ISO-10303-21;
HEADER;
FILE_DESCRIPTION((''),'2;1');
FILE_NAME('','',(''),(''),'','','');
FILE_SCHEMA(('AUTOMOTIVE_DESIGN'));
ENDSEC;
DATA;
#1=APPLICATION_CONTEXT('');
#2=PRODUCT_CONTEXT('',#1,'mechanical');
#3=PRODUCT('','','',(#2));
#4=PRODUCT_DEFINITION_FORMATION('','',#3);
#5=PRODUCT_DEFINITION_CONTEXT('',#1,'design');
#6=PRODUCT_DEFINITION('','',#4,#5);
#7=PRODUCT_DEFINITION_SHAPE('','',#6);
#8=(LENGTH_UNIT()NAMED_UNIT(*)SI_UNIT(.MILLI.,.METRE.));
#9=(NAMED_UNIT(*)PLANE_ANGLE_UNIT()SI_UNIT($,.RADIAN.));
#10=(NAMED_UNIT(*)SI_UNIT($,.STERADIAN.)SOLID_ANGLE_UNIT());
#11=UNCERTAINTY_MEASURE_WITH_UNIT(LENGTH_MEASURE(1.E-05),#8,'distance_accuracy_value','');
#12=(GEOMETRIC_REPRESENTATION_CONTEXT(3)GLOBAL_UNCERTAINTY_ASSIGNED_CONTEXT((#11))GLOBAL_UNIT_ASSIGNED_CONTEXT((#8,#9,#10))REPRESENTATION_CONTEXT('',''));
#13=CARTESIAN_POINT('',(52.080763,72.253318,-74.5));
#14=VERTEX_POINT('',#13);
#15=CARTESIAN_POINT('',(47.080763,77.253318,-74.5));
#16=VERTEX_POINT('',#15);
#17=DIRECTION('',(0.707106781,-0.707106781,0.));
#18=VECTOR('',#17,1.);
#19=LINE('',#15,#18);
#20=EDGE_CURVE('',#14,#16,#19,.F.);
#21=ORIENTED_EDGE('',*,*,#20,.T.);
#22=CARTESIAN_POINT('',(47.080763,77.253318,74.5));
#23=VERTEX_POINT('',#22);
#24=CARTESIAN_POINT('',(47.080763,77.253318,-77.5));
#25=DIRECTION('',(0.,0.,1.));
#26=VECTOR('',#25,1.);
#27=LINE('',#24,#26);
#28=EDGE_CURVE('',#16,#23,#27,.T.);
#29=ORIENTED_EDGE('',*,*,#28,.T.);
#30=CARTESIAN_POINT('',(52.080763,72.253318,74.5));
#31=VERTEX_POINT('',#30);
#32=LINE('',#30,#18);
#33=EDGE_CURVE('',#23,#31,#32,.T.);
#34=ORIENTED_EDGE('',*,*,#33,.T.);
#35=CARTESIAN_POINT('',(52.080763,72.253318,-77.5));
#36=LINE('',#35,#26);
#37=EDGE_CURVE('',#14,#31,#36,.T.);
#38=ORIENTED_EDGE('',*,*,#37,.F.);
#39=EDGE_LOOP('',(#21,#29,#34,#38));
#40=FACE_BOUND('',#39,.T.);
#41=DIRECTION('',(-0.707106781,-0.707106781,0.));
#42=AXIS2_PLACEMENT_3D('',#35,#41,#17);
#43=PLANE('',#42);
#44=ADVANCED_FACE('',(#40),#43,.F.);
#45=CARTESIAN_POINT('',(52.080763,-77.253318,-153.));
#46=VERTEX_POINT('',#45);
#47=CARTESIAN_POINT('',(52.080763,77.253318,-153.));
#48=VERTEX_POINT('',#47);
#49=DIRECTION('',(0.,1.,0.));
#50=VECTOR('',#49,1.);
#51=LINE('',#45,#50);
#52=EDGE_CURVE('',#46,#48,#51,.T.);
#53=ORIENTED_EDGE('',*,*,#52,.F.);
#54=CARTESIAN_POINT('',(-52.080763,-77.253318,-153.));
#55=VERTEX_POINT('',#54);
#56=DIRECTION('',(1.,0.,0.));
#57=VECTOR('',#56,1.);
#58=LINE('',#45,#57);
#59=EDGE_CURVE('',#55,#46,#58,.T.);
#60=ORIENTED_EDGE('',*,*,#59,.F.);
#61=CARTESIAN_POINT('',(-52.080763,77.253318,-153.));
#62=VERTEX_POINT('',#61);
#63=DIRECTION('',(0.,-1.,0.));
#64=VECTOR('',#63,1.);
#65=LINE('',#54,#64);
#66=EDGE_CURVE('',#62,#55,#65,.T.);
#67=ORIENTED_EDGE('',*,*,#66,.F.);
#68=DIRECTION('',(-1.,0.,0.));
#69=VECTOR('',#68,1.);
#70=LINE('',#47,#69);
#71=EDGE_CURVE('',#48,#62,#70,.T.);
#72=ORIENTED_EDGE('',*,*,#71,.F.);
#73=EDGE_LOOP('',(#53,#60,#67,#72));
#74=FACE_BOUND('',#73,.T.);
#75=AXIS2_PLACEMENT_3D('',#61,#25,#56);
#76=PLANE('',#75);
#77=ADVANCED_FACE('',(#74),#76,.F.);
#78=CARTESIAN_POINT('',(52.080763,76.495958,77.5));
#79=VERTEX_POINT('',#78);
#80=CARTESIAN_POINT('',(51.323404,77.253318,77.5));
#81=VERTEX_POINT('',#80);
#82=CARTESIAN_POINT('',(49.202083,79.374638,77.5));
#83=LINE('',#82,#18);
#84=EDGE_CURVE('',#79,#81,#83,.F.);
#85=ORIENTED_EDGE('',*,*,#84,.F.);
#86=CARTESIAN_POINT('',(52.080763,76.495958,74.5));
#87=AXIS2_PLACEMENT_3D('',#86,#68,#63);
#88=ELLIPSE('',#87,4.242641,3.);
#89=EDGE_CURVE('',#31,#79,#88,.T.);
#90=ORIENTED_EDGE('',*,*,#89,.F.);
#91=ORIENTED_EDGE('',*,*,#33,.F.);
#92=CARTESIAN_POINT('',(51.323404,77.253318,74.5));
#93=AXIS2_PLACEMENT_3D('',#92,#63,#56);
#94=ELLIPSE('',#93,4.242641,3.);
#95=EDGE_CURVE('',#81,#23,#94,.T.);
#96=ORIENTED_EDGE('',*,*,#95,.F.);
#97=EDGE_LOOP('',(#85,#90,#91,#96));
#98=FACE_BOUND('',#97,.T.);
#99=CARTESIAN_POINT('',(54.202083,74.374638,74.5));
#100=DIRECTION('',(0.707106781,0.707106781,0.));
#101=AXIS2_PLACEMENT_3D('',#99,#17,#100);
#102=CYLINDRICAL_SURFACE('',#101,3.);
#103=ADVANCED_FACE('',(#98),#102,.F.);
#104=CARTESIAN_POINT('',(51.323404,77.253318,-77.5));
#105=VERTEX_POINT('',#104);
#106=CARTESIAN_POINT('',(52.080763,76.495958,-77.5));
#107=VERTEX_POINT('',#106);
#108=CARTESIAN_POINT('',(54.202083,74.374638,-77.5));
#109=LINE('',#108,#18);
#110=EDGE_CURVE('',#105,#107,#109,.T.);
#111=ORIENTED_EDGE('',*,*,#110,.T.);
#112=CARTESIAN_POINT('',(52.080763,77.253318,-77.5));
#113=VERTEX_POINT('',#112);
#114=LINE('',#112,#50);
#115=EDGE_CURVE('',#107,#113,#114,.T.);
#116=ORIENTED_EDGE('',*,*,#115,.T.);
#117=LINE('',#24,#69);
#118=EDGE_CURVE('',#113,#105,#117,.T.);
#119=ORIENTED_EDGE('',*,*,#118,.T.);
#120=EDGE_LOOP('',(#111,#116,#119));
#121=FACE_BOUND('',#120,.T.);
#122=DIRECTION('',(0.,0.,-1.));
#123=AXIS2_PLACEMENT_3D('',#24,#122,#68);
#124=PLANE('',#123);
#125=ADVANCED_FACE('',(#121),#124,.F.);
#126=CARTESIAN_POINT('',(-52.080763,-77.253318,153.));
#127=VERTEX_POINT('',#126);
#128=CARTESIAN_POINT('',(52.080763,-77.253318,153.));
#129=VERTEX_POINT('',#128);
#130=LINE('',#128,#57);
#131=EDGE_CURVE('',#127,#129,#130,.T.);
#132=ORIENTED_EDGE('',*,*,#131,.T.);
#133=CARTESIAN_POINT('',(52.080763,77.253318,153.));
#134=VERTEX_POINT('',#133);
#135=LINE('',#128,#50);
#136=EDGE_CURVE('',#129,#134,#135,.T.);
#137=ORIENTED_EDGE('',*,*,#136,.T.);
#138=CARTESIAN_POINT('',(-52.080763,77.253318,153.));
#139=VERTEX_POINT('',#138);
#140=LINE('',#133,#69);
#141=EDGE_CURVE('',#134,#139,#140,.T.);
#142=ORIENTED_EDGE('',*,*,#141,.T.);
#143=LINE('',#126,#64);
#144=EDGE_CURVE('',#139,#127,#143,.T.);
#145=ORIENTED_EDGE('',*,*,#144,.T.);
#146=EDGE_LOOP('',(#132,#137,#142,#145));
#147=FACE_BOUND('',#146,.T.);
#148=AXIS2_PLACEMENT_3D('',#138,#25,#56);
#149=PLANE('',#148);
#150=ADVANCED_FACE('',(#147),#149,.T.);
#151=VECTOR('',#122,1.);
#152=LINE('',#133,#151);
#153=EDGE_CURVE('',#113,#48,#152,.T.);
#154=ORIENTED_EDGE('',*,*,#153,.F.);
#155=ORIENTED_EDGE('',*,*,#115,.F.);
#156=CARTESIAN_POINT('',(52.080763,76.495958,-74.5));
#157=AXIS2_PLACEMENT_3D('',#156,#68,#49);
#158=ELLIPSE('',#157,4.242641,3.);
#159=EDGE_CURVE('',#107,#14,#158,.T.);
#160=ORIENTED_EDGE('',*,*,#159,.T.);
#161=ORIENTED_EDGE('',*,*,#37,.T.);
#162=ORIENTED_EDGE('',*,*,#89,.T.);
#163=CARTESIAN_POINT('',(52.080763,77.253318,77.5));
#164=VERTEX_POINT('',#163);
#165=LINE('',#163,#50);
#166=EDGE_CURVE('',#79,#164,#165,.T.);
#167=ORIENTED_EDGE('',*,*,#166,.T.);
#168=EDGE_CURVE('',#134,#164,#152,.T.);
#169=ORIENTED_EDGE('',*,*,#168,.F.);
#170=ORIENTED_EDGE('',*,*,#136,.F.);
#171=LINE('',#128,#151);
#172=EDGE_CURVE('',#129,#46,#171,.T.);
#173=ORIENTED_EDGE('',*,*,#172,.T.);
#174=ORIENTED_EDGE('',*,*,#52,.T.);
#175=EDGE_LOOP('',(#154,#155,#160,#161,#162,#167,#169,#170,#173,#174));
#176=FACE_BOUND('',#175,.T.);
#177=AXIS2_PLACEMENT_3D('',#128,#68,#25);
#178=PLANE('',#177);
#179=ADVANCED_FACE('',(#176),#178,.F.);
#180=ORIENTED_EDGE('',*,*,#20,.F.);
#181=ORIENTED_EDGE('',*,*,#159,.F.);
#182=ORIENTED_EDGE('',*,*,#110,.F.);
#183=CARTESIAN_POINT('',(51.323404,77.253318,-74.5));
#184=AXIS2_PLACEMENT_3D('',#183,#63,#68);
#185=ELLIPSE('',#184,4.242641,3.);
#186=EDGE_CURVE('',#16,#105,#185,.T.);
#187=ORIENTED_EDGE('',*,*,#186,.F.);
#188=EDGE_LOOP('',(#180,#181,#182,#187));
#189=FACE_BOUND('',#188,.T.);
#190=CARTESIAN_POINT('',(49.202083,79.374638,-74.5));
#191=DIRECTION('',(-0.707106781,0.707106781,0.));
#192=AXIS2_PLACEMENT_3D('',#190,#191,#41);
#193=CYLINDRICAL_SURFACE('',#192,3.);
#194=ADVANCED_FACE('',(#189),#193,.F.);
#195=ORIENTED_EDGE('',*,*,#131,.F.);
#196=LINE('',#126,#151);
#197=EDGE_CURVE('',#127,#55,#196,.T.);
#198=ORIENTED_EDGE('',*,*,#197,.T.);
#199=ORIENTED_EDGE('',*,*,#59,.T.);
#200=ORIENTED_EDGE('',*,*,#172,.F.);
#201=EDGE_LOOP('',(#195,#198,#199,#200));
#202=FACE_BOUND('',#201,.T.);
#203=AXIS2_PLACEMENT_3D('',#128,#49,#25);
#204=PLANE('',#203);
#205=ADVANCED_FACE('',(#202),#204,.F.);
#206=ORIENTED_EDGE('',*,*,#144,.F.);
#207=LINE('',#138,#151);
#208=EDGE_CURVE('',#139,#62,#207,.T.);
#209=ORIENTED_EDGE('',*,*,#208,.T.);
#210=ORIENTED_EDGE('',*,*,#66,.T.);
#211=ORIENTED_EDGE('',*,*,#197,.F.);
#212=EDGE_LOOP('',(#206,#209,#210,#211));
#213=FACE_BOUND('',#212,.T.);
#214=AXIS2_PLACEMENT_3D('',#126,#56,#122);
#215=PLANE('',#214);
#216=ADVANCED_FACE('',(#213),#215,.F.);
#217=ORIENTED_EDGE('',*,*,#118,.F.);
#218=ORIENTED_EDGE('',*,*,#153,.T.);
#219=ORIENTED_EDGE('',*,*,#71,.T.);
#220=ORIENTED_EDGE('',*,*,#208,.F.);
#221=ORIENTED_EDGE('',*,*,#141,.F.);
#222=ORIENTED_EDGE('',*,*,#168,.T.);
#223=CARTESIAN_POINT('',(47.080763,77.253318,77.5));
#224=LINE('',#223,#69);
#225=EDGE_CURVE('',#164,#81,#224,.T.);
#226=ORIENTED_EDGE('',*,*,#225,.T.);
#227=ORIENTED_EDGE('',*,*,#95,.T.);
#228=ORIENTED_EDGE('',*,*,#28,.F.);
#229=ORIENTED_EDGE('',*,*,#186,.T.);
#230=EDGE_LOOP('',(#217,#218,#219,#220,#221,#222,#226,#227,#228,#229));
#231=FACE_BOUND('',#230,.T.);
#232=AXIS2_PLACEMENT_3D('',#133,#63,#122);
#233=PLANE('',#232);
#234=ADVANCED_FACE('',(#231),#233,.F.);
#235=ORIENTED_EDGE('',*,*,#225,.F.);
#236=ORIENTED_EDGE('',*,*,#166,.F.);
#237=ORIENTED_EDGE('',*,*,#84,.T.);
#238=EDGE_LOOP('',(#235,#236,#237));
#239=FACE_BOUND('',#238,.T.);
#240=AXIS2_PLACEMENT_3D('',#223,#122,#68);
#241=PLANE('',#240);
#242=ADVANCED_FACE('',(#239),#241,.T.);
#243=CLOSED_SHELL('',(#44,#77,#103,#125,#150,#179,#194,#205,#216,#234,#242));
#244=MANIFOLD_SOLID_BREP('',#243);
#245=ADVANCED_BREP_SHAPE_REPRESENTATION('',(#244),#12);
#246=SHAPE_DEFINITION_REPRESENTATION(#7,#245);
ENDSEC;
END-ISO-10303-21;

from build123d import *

# Parameters (mm, degrees)
SKIZZE1_W                       = 104.161525742
SKIZZE1_H                       = 154.506635072
AUFSATZ_LINEAR_AUSTRAGEN1_DEPTH = 153
SCHNITT_LINEAR_AUSTRAGEN1_DEPTH = 77.5
VERRUNDUNG3_R                   = 3


with BuildPart() as part:
    # Skizze1 → Aufsatz-Linear austragen1 (new body, symmetric)
    with BuildSketch(Plane.XY):
        Rectangle(SKIZZE1_W, SKIZZE1_H)
    extrude(amount=AUFSATZ_LINEAR_AUSTRAGEN1_DEPTH, both=True)

    # Skizze2 → Schnitt-Linear austragen1 (cut, symmetric)
    with BuildSketch(Plane.XY):
        Polygon((47.080762871, 77.253317536), (52.080762871, 77.253317536), (52.080762871, 72.253317536), align=None)
    extrude(amount=SCHNITT_LINEAR_AUSTRAGEN1_DEPTH, both=True, mode=Mode.SUBTRACT)

    # Verrundung3
    verrundung3_edges = [part.edges().sort_by_distance(p)[0] for p in [
        (49.580762871, 74.753317536, -77.5),
        (49.580762871, 74.753317536, 77.5),
    ]]
    fillet(verrundung3_edges, radius=VERRUNDUNG3_R)


solid = part.part
